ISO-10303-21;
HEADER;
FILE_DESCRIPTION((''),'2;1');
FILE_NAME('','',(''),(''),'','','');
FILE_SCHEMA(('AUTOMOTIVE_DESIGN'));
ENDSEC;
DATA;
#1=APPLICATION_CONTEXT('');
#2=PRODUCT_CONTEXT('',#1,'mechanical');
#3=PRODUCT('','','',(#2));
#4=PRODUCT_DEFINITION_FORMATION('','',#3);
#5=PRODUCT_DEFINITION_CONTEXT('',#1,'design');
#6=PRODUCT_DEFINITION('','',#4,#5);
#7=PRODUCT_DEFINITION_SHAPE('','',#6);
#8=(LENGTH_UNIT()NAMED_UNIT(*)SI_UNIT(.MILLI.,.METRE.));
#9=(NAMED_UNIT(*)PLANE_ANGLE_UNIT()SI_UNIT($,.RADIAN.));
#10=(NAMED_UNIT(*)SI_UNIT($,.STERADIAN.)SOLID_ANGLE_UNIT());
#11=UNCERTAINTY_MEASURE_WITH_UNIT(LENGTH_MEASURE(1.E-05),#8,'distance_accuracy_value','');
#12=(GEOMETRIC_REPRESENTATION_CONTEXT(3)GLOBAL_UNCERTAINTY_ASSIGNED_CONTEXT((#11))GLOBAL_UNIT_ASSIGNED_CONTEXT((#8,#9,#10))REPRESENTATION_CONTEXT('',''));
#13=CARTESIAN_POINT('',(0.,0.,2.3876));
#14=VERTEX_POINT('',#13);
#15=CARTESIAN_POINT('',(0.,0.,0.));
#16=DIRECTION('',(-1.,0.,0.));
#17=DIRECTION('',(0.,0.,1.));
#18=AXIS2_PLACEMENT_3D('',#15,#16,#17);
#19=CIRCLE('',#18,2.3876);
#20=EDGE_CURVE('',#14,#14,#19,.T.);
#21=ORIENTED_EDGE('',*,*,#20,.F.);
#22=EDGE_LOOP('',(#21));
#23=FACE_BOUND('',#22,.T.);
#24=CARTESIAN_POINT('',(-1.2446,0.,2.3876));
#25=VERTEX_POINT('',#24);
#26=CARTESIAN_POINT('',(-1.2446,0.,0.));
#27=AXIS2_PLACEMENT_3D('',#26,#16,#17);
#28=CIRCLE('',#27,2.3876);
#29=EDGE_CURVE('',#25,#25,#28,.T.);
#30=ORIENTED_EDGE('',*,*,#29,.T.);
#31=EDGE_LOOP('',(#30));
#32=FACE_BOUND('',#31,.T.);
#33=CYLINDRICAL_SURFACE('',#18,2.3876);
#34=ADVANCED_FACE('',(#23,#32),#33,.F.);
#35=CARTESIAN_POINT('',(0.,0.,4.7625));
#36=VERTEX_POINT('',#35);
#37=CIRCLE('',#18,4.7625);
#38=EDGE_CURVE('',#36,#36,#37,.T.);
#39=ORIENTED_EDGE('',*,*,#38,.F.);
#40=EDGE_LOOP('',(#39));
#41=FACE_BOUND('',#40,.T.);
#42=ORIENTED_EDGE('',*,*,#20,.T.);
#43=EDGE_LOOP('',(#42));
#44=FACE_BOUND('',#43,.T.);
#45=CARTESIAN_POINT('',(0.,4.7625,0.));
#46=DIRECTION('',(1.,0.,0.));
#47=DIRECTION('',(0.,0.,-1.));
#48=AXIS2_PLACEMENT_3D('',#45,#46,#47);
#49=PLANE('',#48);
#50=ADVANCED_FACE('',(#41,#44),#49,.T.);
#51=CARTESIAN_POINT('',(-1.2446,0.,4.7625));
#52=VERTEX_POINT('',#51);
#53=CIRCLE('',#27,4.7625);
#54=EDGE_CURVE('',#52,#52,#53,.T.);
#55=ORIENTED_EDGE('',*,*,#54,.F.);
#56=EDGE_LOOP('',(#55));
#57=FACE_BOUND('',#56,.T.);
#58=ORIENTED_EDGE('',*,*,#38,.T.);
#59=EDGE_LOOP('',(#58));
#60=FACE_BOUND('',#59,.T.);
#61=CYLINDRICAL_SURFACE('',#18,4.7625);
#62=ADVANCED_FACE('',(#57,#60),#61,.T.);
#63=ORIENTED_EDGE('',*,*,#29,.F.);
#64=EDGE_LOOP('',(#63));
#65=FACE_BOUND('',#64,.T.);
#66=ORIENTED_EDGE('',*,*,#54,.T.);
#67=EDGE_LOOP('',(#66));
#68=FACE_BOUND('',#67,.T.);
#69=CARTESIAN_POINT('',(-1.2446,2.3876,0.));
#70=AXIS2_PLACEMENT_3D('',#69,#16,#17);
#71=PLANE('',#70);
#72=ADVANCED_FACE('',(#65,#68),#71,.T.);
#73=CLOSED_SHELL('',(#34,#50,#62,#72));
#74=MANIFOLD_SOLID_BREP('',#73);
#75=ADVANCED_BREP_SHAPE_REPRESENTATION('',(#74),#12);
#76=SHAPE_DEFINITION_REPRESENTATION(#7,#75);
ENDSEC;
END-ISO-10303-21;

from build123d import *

# Parameters (mm, degrees)
SKETCH1_W = 1.2446
SKETCH1_H = 2.3749


with BuildPart() as part:
    # Sketch1 → Revolve1 (revolve)
    with BuildSketch(Plane(origin=(0, 0, 0), x_dir=(-1, 0, 0), z_dir=(0, 0, -1)), mode=Mode.PRIVATE) as revolve1_sk:
        with Locations((0.6223, 3.57505)):
            Rectangle(SKETCH1_W, SKETCH1_H)
    revolve(revolve1_sk.sketch.rotate(Axis((0, 0, 0), (-1, 0, 0)), 270), axis=Axis((0, 0, 0), (-1, 0, 0)))


solid = part.part
